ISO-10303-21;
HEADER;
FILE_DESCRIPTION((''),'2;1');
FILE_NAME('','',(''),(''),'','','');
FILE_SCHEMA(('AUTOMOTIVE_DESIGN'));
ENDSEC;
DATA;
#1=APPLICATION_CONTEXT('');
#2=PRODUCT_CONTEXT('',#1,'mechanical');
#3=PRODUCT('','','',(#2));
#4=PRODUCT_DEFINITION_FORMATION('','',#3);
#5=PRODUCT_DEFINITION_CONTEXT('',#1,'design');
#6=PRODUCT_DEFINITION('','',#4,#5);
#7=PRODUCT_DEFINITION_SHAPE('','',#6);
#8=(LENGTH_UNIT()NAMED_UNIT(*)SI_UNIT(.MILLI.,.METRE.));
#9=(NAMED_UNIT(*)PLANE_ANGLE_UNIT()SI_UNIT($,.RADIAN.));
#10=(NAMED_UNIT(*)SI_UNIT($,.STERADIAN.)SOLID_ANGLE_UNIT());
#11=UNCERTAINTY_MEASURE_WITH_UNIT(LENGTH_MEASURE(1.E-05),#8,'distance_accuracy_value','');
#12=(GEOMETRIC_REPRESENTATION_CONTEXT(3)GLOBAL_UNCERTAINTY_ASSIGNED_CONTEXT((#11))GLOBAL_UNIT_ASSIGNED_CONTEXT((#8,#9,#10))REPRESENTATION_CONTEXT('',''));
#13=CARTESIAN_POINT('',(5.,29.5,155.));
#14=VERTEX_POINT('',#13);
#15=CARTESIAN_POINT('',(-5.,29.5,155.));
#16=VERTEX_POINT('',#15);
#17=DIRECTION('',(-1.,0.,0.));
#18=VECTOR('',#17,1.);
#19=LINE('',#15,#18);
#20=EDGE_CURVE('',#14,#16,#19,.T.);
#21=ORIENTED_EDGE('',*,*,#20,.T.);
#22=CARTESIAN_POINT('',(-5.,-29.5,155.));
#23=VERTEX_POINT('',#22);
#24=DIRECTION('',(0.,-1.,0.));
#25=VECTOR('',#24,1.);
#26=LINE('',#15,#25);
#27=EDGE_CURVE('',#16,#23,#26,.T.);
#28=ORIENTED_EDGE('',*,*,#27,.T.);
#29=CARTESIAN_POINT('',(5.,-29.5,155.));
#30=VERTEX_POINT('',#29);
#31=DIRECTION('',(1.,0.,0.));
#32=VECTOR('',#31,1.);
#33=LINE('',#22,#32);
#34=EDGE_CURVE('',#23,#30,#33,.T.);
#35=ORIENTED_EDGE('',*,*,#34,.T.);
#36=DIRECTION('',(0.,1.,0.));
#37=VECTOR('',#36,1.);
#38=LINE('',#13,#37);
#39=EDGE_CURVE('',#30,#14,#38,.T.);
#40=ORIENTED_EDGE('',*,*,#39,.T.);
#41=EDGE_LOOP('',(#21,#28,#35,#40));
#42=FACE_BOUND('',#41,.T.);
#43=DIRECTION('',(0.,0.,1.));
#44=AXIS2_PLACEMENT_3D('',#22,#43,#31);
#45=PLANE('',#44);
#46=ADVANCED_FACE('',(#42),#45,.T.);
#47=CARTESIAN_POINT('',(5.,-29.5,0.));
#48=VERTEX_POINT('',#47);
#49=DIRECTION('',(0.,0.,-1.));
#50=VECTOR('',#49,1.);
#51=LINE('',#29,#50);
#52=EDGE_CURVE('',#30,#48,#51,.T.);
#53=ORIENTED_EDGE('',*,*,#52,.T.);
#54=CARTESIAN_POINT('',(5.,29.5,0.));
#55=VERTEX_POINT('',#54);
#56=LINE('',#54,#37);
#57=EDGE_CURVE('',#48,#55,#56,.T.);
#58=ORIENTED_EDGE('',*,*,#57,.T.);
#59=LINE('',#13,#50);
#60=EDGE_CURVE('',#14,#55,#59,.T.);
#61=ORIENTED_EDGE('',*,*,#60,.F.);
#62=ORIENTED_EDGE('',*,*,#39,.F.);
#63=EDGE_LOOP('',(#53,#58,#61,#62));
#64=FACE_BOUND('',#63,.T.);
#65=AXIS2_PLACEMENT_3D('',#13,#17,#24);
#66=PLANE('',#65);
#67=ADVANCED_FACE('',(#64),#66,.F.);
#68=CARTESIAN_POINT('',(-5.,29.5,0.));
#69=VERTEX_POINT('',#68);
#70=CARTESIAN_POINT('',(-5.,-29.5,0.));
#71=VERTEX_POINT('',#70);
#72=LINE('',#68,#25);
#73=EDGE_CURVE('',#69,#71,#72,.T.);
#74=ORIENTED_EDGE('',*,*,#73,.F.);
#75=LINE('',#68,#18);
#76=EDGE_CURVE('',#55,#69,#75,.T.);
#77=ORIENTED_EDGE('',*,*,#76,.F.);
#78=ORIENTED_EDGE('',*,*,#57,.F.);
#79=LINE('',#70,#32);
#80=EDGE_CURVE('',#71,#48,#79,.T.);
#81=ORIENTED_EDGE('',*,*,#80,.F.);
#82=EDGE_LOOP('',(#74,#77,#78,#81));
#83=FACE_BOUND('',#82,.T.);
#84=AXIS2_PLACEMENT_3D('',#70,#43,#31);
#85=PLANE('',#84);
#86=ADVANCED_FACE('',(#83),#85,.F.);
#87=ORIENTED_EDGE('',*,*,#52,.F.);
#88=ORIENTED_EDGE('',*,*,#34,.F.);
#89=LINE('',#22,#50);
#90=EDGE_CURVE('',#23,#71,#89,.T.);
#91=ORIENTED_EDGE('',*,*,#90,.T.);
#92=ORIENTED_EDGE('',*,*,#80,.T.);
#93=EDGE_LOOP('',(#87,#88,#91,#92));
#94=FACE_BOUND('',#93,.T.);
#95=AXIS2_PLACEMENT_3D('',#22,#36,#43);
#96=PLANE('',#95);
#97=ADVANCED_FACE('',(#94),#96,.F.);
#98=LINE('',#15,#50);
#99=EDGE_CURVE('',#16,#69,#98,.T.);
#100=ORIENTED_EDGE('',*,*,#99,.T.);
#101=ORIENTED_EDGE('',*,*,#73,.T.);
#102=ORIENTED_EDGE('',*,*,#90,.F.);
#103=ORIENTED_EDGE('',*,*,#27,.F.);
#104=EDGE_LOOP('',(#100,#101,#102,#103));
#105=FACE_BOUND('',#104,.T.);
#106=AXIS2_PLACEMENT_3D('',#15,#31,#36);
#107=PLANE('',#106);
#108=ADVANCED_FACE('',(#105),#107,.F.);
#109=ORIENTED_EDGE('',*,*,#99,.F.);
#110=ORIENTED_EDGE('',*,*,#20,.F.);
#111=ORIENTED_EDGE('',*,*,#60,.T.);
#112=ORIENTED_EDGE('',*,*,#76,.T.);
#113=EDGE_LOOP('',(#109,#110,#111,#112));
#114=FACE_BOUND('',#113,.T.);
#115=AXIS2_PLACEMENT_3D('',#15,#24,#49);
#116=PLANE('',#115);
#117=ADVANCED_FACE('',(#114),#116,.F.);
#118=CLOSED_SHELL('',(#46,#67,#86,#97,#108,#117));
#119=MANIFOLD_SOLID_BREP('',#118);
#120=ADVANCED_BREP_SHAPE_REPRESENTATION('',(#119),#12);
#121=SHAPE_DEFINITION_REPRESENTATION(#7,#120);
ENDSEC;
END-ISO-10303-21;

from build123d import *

# Parameters (mm, degrees)
SKETCH1_W      = 10
SKETCH1_H      = 59
EXTRUDE1_DEPTH = 155


with BuildPart() as part:
    # Sketch1 → Extrude1 (new body)
    with BuildSketch(Plane.XY):
        Rectangle(SKETCH1_W, SKETCH1_H)
    extrude(amount=EXTRUDE1_DEPTH)


solid = part.part
